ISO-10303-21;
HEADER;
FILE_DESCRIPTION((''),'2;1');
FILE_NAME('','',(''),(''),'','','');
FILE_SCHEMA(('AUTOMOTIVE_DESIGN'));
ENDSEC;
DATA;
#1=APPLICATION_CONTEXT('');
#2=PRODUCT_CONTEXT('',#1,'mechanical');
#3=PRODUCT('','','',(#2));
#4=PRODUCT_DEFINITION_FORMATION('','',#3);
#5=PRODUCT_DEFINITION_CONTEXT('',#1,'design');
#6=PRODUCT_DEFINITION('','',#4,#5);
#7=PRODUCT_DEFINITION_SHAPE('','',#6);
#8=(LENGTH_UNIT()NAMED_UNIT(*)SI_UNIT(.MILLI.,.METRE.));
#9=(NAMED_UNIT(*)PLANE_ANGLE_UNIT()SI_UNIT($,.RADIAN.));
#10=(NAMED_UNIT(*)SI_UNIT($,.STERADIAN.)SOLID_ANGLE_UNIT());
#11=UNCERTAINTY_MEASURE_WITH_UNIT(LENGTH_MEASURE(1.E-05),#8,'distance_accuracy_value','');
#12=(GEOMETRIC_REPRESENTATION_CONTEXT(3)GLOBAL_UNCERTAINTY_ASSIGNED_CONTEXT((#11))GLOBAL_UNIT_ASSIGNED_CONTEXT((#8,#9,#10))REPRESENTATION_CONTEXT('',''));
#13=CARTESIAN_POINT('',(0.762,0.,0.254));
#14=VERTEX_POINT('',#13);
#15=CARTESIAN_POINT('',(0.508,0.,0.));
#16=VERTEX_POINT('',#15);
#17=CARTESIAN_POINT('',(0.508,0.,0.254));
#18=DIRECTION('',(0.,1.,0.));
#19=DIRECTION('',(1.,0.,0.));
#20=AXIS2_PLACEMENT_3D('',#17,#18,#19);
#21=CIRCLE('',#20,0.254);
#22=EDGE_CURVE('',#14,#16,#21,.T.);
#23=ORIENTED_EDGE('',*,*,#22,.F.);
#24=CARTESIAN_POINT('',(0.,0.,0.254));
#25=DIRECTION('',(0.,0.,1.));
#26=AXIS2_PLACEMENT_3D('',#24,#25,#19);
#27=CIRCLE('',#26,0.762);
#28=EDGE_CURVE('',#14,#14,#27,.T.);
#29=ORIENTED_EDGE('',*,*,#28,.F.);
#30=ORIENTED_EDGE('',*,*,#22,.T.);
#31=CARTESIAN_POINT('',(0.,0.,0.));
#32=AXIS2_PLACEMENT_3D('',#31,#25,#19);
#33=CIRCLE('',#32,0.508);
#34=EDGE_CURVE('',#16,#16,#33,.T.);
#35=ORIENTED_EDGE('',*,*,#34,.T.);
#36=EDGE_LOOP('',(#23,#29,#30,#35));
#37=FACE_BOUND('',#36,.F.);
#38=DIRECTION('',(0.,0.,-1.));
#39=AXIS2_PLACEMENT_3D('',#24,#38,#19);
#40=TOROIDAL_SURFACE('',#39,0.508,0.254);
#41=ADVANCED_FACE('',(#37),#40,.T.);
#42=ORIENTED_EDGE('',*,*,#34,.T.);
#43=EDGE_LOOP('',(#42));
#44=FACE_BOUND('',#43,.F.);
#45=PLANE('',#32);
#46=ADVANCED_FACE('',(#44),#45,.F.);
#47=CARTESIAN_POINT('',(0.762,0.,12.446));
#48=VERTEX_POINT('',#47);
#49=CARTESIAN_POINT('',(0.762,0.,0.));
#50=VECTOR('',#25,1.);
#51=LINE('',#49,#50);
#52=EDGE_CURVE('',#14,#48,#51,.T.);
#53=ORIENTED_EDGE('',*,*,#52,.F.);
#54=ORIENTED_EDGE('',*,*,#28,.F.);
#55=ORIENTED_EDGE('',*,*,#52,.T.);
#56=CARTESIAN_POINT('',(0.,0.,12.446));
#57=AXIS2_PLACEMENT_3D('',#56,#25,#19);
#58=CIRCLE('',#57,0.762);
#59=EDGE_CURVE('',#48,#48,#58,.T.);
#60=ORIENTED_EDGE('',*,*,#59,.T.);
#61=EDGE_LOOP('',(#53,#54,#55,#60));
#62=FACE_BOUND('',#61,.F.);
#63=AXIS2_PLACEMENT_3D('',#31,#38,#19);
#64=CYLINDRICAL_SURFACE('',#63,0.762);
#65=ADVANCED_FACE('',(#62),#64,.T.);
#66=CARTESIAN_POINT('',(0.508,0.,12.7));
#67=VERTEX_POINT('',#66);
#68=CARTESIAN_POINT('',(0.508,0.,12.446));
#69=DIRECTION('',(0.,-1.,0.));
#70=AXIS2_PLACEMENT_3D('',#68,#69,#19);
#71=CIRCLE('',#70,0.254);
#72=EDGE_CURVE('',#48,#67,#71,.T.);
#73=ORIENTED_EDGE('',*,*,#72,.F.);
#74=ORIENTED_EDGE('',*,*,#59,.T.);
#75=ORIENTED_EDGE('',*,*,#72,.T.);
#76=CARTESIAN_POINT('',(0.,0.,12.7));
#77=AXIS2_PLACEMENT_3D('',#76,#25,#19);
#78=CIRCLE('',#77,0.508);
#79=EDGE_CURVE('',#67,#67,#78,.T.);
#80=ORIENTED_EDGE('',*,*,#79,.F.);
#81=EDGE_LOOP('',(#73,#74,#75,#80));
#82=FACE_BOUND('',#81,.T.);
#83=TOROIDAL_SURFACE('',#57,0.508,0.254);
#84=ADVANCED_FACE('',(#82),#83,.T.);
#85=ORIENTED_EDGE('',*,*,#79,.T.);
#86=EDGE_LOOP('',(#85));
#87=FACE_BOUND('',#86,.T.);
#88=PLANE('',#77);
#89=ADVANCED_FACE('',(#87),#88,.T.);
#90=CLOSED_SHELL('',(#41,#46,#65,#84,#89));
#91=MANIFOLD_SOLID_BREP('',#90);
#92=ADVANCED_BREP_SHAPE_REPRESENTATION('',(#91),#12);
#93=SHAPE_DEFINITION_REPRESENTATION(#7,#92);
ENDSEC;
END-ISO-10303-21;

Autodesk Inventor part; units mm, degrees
ref_plane "YZ Plane" through (0, 0, 0) normal (1, 0, 0) x (0, 1, 0)
ref_plane "XZ Plane" through (0, 0, 0) normal (0, 1, 0) x (-1, 0, 0)
ref_plane "XY Plane" through (0, 0, 0) normal (0, 0, 1) x (1, 0, 0)
sketch "Sketch1" plane through (0, 0, 0) normal (0, 0, 1) x (1, 0, 0)
  circle A0 centre (0, 0) radius 0.762
  dimension "d0" = 1.524
extrude "Extrusion1" add sketch "Sketch1" along normal blind 12.7
fillet "Fillet1" radius 0.254 2 edges at (-0.762, 0, 12.7) (-0.762, 0, 0)
properties part number "pin 1" material "Aluminum 6061"
